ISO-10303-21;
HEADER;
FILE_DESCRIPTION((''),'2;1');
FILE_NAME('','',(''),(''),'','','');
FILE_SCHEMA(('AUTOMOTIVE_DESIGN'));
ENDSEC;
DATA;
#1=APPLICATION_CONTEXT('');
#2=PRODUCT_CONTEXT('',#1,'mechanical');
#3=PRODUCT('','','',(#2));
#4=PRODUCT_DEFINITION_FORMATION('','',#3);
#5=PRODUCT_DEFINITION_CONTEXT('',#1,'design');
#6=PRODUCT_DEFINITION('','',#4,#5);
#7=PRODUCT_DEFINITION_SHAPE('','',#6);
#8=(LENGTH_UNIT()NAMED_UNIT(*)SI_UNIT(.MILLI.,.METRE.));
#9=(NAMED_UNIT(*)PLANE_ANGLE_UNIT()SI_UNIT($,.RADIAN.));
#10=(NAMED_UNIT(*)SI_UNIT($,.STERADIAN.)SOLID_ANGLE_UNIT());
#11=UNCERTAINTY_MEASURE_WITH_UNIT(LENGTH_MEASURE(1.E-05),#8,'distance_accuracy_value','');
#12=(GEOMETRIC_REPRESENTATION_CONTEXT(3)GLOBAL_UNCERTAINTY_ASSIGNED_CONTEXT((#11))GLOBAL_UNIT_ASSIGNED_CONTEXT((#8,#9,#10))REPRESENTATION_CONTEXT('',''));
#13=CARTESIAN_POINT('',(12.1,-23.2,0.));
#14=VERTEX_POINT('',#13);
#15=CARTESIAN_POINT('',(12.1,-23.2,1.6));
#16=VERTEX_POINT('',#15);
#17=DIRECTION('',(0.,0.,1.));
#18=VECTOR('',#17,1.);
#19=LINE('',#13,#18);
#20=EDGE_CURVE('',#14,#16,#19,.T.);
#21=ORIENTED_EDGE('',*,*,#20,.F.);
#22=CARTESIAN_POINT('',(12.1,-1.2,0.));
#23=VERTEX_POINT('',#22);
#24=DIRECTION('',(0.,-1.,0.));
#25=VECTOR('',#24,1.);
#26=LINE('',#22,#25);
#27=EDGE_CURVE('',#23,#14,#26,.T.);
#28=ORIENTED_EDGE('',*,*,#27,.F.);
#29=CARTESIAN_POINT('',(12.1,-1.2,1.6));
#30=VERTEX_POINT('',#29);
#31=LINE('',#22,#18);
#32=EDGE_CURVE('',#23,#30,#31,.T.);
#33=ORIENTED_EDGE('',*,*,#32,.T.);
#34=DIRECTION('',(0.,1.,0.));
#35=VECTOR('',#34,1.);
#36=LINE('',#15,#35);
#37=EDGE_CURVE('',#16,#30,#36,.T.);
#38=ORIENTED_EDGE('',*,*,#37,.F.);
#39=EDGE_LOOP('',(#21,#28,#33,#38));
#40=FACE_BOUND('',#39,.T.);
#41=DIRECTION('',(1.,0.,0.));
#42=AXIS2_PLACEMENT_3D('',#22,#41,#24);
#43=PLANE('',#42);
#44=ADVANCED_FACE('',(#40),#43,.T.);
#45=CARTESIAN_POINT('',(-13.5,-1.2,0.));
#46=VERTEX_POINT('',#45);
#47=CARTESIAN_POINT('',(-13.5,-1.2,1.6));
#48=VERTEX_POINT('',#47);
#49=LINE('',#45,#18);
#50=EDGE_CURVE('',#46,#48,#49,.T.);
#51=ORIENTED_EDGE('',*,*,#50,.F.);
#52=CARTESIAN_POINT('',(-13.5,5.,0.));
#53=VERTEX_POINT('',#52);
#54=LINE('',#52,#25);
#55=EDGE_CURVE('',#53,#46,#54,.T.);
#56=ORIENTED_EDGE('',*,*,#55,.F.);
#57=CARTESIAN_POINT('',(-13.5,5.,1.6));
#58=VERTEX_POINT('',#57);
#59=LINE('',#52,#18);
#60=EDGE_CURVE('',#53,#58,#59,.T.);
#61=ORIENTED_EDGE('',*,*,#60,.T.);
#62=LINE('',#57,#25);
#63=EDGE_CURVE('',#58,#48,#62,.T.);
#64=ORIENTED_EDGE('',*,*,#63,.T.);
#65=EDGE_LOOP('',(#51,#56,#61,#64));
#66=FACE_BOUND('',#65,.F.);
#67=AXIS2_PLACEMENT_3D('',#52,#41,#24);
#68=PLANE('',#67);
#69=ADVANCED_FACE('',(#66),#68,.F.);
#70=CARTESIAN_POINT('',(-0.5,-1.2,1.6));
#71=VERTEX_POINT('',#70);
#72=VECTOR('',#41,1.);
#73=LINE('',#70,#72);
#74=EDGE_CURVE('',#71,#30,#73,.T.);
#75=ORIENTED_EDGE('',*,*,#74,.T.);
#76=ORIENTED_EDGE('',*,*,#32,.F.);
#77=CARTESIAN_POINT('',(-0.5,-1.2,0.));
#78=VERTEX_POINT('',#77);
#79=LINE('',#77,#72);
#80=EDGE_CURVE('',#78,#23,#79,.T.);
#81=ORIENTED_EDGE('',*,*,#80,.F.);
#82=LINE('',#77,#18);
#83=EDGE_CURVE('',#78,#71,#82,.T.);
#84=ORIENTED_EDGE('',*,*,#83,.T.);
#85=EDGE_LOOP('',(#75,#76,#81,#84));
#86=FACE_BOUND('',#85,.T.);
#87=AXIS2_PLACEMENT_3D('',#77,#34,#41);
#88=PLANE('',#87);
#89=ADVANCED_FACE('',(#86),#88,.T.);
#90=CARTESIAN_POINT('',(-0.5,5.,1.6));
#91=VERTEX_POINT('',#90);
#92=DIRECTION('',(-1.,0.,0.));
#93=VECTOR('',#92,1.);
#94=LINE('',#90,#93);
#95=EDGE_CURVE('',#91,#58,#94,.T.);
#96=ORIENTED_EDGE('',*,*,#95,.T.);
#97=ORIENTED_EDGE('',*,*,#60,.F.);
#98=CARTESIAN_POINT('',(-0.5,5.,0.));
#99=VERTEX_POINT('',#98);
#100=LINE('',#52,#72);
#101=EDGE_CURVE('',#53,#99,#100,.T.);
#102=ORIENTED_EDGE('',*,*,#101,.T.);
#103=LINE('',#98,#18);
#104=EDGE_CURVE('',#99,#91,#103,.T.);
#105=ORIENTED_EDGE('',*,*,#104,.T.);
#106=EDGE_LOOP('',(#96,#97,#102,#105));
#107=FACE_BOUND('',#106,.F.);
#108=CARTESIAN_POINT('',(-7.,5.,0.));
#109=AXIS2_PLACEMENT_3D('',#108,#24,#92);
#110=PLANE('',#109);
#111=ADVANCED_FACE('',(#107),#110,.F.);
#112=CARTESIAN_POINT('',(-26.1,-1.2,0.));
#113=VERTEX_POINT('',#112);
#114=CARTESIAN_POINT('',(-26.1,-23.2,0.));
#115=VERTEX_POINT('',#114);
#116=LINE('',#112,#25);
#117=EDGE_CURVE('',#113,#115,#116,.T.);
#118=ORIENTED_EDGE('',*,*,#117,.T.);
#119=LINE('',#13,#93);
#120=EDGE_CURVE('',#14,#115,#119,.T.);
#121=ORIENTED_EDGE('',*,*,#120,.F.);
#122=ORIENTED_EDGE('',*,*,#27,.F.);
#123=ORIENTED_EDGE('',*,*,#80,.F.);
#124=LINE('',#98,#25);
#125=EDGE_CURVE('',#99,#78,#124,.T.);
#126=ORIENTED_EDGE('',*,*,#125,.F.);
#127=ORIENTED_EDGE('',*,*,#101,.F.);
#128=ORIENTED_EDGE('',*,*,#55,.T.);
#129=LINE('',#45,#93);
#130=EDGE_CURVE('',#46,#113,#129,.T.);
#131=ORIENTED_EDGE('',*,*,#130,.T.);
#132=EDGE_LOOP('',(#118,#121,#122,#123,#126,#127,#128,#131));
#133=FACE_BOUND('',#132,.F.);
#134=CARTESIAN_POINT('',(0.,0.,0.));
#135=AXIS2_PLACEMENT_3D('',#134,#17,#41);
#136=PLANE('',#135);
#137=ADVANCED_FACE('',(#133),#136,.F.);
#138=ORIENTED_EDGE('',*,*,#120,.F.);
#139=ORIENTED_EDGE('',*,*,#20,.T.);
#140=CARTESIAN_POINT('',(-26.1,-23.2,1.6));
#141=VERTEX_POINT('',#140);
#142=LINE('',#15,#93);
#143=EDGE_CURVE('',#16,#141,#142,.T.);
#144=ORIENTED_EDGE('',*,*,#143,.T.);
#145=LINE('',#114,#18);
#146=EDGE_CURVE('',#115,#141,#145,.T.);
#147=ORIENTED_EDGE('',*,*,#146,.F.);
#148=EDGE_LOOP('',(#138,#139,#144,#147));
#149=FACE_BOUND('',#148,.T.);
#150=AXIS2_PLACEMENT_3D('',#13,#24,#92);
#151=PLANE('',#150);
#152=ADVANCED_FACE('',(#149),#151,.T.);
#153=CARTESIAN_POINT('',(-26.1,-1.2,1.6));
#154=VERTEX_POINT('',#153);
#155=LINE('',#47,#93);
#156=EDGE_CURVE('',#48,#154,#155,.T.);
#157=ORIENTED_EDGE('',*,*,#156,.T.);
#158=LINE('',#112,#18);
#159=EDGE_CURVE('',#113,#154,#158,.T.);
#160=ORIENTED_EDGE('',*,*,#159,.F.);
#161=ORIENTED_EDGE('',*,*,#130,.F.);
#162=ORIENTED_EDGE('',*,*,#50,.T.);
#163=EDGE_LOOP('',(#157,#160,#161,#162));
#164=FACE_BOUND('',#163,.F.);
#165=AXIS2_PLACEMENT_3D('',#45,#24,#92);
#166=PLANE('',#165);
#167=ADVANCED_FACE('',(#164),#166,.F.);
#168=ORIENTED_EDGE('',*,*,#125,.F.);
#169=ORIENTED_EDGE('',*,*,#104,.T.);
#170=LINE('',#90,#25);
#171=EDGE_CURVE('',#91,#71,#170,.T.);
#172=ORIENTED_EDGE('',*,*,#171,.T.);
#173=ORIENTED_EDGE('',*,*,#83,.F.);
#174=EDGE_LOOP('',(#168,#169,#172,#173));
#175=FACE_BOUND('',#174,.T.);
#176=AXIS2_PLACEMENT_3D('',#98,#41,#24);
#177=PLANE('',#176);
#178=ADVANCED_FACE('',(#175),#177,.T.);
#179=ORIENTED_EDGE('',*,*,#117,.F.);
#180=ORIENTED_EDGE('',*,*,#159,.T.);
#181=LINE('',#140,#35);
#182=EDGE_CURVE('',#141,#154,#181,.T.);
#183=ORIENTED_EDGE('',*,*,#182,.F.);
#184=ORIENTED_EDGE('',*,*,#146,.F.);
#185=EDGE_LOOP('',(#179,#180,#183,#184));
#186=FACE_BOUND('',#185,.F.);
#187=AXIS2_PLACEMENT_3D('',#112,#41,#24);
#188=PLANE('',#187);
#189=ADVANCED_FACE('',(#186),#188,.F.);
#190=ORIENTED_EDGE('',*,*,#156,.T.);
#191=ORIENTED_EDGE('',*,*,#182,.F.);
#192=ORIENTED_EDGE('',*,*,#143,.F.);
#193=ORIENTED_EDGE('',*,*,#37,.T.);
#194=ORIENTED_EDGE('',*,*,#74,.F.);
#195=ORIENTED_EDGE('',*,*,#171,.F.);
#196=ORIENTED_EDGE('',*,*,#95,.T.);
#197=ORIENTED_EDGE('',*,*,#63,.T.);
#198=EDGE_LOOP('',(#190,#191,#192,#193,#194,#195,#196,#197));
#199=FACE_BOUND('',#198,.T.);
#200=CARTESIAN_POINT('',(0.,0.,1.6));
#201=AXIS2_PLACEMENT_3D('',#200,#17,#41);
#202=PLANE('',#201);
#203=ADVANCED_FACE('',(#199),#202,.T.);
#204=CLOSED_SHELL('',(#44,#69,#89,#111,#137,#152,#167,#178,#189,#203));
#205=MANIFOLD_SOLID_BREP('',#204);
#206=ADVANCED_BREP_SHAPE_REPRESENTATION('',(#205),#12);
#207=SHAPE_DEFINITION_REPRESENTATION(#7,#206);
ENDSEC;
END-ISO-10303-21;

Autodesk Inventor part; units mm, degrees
ref_plane "YZ Plane" through (0, 0, 0) normal (1, 0, 0) x (0, 1, 0)
ref_plane "XZ Plane" through (0, 0, 0) normal (0, 1, 0) x (-1, 0, 0)
ref_plane "XY Plane" through (0, 0, 0) normal (0, 0, 1) x (1, 0, 0)
sketch "Sketch2" plane through (0, 0, 0) normal (0, 0, 1) x (1, 0, 0)
  arc A0 (-42.2846, -11.2117) -> (-21.43, -19.85) centre (-21.43, 9.6429) ccw
  line L0 (7.43, -19.85) -> (-21.43, -19.85)
  arc A1 (7.43, -19.85) -> (28.2846, -11.2117) centre (7.43, 9.6429) ccw
  line L1 (9, -10.25) -> (9, -4.25) construction
  arc A2 (6, -13.25) -> (9, -10.25) centre (6, -10.25) ccw construction
  line L2 (-20, -13.25) -> (6, -13.25) construction
  arc A3 (-23, -10.25) -> (-20, -13.25) centre (-20, -10.25) ccw construction
  line L3 (-23, -4.25) -> (-23, -10.25) construction
  arc A4 (-20, -1.25) -> (-23, -4.25) centre (-20, -4.25) ccw construction
  line L4 (6, -1.25) -> (-20, -1.25) construction
  arc A5 (9, -4.25) -> (6, -1.25) centre (6, -4.25) ccw construction
  line L5 (-16, -1) -> (-14, -1) construction
  arc A6 (-17, 0) -> (-16, -1) centre (-16, 0) ccw construction
  line L6 (-17, 4) -> (-17, 0) construction
  arc A7 (-16, 5) -> (-17, 4) centre (-16, 4) ccw construction
  line L7 (-14, 5) -> (-16, 5) construction
  arc A8 (-13, 4) -> (-14, 5) centre (-14, 4) ccw construction
  line L8 (-13, 0) -> (-13, 4) construction
  arc A9 (-14, -1) -> (-13, 0) centre (-14, 0) ccw construction
  line L9 (0, -1) -> (2, -1) construction
  arc A10 (-1, 0) -> (0, -1) centre (0, 0) ccw construction
  line L10 (-1, 4) -> (-1, 0) construction
  arc A11 (0, 5) -> (-1, 4) centre (0, 4) ccw construction
  line L11 (2, 5) -> (0, 5) construction
  arc A12 (3, 4) -> (2, 5) centre (2, 4) ccw construction
  line L12 (3, 0) -> (3, 4) construction
  arc A13 (2, -1) -> (3, 0) centre (2, 0) ccw construction
  line L13 (-7, 0) -> (-7, 5)
  line L14 (-7, 5) -> (-0.5, 5)
  line L15 (-7, 5) -> (-0.5, 5) construction
  line L16 (-7, 5) -> (-13.5, 5)
  line L17 (-13.5, 5) -> (-13.5, -1.2)
  line L18 (-13.5, 5) -> (-7.3, 5) construction
  line L19 (-0.5, 5) -> (-0.5, -1.2)
  line L20 (-0.5, 5) -> (5.7, 5) construction
  line L21 (-13.5, -1.2) -> (-26.1, -1.2)
  line L22 (-0.5, -1.2) -> (12.1, -1.2)
  line L23 (-0.5, -1.2) -> (12.1, -1.2) construction
  line L24 (-26.1, -1.2) -> (-26.1, -23.2)
  line L25 (-26.1, -1.2) -> (-4.1, -1.2) construction
  line L26 (12.1, -1.2) -> (12.1, -23.2)
  line L27 (12.1, -1.2) -> (34.1, -1.2) construction
  line L28 (12.1, -23.2) -> (-26.1, -23.2)
  point P0 (0, 0)
  dimension "d0" = 6
  dimension "d1" = 6.5
  dimension "d2" = 0
  dimension "d3" = 6.5
  dimension "d4" = 6.2
  dimension "d5" = 90
  dimension "d6" = 6.2
  dimension "d7" = 90
  dimension "d8" = 12.6
  dimension "d9" = 12.6
  dimension "d10" = 0
  dimension "d11" = 22
  dimension "d12" = 90
  dimension "d13" = 22
  dimension "d14" = 90
extrude "Extrusion1" add sketch "Sketch2" along normal blind 1.6
properties part number "ELE-PRT-3001-Dummy_Power_Monitor"
